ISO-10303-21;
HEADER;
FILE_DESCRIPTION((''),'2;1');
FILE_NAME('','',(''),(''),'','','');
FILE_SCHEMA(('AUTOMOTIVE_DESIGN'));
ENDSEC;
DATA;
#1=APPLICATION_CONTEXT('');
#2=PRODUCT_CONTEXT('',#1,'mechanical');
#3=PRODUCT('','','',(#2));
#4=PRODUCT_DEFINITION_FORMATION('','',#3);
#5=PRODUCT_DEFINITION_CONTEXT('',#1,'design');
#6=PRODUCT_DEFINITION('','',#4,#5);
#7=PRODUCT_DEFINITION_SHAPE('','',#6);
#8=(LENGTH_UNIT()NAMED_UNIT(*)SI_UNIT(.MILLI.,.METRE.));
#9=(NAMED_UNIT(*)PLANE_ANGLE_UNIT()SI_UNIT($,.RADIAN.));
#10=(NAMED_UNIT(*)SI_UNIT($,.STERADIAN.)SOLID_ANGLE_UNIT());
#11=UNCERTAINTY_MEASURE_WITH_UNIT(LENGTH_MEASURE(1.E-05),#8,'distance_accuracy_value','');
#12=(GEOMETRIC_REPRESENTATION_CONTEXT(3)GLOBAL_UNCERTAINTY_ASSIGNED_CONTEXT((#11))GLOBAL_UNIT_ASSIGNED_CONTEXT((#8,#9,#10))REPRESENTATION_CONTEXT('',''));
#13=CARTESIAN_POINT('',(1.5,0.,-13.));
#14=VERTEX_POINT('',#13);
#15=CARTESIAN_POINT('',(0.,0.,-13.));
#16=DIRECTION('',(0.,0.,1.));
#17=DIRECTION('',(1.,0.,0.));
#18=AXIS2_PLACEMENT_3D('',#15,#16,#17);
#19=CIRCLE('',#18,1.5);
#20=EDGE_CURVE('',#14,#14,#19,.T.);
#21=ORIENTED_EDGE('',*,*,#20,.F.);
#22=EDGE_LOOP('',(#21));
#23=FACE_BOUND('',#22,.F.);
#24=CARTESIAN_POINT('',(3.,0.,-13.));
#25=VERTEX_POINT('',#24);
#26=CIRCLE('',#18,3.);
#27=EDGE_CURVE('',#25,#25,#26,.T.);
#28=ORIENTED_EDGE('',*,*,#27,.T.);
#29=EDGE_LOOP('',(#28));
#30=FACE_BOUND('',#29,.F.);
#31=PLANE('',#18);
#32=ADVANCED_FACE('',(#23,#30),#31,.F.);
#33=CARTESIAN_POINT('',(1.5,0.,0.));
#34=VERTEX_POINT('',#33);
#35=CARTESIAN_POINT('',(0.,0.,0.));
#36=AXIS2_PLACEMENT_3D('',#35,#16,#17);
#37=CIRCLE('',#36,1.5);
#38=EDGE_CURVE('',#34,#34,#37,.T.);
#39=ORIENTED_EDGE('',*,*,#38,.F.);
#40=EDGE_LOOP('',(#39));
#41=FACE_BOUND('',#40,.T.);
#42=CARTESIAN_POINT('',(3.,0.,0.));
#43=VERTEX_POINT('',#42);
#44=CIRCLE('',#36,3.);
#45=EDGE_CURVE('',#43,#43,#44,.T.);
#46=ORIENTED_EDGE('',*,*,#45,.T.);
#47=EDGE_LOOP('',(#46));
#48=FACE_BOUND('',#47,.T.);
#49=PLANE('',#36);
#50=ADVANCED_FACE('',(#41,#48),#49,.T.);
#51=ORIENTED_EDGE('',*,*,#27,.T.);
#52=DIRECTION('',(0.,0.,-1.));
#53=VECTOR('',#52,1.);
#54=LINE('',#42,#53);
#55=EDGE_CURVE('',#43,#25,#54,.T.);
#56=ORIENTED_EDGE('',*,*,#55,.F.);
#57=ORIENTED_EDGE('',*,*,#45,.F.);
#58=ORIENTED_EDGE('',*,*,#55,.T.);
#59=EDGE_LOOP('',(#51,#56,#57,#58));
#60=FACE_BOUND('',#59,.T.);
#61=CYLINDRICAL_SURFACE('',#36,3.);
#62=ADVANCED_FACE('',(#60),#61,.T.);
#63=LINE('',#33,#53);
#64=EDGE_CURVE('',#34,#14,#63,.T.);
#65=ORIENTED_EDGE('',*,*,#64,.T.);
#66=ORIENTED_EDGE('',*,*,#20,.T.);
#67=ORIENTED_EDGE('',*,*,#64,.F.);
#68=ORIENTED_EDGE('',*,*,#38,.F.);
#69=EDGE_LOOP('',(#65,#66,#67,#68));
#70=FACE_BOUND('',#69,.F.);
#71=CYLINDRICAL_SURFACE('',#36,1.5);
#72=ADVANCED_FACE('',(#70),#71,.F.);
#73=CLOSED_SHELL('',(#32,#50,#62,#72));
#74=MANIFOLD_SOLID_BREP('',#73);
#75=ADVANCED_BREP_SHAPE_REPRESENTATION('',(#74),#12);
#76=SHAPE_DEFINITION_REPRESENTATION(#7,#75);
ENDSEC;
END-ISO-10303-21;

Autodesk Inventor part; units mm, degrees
ref_plane "YZ Plane" through (0, 0, 0) normal (1, 0, 0) x (0, 1, 0)
ref_plane "XZ Plane" through (0, 0, 0) normal (0, 1, 0) x (-1, 0, 0)
ref_plane "XY Plane" through (0, 0, 0) normal (0, 0, 1) x (1, 0, 0)
sketch "Sketch2" plane through (0, 0, 0) normal (0, 0, 1) x (1, 0, 0)
  circle A0 centre (0, 0) radius 1.5
  circle A1 centre (0, 0) radius 3
  dimension "d0" = 3
  dimension "d1" = 6
extrude "Extrusion1" add sketch "Sketch2" against normal blind 13
properties part number "l13" material "Aluminum 2014-T6"
